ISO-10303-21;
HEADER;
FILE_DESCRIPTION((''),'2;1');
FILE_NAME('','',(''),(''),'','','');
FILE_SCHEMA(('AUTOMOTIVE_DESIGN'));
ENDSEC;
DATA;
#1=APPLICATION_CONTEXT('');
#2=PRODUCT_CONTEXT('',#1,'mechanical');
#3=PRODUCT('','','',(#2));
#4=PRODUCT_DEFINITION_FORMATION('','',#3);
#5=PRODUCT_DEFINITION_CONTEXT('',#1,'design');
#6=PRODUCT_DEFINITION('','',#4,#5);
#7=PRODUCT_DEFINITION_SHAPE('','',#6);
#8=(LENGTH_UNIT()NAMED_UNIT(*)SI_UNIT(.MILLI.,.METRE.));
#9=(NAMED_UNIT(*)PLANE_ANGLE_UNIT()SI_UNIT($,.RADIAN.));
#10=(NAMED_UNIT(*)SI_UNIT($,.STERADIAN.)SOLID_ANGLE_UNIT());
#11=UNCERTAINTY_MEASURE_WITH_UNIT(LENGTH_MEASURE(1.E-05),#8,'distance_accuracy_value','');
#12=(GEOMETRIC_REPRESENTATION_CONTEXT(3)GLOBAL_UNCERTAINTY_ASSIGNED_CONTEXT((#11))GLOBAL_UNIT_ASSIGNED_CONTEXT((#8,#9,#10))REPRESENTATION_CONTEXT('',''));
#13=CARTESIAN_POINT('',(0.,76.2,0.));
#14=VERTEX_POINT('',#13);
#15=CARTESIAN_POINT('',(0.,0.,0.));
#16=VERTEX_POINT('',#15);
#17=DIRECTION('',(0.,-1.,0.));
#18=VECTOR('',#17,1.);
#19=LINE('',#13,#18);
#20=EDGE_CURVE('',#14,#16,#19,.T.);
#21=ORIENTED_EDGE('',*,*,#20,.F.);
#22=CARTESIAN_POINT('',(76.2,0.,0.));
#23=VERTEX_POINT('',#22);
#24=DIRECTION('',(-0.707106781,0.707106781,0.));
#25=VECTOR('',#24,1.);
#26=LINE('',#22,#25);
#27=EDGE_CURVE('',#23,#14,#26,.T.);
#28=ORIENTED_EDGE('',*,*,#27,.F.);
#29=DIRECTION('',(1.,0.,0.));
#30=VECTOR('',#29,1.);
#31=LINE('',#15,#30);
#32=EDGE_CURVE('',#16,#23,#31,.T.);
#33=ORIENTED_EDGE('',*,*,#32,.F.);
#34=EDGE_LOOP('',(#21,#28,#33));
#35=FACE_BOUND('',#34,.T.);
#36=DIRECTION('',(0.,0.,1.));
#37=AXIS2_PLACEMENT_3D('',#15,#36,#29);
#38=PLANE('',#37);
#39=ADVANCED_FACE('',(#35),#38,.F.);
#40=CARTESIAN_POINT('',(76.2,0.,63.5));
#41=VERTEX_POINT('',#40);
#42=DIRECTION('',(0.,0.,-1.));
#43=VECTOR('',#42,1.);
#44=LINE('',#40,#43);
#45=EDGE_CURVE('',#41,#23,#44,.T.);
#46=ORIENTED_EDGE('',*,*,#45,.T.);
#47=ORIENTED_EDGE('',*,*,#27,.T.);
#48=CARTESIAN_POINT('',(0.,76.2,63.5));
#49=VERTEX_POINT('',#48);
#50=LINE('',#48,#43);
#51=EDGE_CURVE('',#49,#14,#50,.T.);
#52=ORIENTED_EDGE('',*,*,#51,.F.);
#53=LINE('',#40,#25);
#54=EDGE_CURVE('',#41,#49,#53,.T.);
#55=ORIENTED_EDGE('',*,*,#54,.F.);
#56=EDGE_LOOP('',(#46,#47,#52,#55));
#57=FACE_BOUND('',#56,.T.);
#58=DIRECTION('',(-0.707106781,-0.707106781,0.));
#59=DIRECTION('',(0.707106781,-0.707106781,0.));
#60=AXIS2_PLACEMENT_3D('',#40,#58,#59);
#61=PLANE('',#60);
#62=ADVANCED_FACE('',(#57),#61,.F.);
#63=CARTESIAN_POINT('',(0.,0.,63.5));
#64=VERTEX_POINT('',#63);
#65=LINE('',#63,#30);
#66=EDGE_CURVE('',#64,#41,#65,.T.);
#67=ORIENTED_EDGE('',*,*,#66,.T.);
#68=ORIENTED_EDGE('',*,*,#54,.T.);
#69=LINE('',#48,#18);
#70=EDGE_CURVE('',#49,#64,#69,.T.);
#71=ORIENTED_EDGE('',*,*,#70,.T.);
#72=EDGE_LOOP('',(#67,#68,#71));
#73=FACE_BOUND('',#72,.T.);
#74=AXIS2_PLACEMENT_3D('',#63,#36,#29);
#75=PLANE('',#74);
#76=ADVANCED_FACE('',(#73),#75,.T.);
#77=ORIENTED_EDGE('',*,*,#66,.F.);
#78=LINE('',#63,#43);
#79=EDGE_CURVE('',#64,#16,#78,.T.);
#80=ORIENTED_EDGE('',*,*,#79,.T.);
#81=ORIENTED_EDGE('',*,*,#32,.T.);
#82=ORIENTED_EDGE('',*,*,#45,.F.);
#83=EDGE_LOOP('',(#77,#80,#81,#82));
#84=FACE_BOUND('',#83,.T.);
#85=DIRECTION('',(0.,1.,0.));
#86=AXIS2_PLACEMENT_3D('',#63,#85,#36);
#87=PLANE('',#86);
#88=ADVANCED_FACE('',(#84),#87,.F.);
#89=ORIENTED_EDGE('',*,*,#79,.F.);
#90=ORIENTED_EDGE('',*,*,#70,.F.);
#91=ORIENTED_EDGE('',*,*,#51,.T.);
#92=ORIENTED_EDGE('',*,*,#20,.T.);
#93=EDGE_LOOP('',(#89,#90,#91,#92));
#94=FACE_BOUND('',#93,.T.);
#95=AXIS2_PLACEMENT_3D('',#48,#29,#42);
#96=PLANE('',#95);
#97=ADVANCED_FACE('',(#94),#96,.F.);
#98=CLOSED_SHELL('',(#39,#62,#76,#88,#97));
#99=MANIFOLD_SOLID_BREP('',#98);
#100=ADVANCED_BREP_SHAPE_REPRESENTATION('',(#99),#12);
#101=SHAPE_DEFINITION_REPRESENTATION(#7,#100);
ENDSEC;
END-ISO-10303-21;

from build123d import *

# Parameters (mm, degrees)
EXTRUDE_1_DEPTH = 63.5


with BuildPart() as part:
    # 草图1 → 凸台-拉伸1 (new body)
    with BuildSketch(Plane.XY):
        Polygon((0, 0), (76.2, 0), (0, 76.2), align=None)
    extrude(amount=EXTRUDE_1_DEPTH)


solid = part.part
